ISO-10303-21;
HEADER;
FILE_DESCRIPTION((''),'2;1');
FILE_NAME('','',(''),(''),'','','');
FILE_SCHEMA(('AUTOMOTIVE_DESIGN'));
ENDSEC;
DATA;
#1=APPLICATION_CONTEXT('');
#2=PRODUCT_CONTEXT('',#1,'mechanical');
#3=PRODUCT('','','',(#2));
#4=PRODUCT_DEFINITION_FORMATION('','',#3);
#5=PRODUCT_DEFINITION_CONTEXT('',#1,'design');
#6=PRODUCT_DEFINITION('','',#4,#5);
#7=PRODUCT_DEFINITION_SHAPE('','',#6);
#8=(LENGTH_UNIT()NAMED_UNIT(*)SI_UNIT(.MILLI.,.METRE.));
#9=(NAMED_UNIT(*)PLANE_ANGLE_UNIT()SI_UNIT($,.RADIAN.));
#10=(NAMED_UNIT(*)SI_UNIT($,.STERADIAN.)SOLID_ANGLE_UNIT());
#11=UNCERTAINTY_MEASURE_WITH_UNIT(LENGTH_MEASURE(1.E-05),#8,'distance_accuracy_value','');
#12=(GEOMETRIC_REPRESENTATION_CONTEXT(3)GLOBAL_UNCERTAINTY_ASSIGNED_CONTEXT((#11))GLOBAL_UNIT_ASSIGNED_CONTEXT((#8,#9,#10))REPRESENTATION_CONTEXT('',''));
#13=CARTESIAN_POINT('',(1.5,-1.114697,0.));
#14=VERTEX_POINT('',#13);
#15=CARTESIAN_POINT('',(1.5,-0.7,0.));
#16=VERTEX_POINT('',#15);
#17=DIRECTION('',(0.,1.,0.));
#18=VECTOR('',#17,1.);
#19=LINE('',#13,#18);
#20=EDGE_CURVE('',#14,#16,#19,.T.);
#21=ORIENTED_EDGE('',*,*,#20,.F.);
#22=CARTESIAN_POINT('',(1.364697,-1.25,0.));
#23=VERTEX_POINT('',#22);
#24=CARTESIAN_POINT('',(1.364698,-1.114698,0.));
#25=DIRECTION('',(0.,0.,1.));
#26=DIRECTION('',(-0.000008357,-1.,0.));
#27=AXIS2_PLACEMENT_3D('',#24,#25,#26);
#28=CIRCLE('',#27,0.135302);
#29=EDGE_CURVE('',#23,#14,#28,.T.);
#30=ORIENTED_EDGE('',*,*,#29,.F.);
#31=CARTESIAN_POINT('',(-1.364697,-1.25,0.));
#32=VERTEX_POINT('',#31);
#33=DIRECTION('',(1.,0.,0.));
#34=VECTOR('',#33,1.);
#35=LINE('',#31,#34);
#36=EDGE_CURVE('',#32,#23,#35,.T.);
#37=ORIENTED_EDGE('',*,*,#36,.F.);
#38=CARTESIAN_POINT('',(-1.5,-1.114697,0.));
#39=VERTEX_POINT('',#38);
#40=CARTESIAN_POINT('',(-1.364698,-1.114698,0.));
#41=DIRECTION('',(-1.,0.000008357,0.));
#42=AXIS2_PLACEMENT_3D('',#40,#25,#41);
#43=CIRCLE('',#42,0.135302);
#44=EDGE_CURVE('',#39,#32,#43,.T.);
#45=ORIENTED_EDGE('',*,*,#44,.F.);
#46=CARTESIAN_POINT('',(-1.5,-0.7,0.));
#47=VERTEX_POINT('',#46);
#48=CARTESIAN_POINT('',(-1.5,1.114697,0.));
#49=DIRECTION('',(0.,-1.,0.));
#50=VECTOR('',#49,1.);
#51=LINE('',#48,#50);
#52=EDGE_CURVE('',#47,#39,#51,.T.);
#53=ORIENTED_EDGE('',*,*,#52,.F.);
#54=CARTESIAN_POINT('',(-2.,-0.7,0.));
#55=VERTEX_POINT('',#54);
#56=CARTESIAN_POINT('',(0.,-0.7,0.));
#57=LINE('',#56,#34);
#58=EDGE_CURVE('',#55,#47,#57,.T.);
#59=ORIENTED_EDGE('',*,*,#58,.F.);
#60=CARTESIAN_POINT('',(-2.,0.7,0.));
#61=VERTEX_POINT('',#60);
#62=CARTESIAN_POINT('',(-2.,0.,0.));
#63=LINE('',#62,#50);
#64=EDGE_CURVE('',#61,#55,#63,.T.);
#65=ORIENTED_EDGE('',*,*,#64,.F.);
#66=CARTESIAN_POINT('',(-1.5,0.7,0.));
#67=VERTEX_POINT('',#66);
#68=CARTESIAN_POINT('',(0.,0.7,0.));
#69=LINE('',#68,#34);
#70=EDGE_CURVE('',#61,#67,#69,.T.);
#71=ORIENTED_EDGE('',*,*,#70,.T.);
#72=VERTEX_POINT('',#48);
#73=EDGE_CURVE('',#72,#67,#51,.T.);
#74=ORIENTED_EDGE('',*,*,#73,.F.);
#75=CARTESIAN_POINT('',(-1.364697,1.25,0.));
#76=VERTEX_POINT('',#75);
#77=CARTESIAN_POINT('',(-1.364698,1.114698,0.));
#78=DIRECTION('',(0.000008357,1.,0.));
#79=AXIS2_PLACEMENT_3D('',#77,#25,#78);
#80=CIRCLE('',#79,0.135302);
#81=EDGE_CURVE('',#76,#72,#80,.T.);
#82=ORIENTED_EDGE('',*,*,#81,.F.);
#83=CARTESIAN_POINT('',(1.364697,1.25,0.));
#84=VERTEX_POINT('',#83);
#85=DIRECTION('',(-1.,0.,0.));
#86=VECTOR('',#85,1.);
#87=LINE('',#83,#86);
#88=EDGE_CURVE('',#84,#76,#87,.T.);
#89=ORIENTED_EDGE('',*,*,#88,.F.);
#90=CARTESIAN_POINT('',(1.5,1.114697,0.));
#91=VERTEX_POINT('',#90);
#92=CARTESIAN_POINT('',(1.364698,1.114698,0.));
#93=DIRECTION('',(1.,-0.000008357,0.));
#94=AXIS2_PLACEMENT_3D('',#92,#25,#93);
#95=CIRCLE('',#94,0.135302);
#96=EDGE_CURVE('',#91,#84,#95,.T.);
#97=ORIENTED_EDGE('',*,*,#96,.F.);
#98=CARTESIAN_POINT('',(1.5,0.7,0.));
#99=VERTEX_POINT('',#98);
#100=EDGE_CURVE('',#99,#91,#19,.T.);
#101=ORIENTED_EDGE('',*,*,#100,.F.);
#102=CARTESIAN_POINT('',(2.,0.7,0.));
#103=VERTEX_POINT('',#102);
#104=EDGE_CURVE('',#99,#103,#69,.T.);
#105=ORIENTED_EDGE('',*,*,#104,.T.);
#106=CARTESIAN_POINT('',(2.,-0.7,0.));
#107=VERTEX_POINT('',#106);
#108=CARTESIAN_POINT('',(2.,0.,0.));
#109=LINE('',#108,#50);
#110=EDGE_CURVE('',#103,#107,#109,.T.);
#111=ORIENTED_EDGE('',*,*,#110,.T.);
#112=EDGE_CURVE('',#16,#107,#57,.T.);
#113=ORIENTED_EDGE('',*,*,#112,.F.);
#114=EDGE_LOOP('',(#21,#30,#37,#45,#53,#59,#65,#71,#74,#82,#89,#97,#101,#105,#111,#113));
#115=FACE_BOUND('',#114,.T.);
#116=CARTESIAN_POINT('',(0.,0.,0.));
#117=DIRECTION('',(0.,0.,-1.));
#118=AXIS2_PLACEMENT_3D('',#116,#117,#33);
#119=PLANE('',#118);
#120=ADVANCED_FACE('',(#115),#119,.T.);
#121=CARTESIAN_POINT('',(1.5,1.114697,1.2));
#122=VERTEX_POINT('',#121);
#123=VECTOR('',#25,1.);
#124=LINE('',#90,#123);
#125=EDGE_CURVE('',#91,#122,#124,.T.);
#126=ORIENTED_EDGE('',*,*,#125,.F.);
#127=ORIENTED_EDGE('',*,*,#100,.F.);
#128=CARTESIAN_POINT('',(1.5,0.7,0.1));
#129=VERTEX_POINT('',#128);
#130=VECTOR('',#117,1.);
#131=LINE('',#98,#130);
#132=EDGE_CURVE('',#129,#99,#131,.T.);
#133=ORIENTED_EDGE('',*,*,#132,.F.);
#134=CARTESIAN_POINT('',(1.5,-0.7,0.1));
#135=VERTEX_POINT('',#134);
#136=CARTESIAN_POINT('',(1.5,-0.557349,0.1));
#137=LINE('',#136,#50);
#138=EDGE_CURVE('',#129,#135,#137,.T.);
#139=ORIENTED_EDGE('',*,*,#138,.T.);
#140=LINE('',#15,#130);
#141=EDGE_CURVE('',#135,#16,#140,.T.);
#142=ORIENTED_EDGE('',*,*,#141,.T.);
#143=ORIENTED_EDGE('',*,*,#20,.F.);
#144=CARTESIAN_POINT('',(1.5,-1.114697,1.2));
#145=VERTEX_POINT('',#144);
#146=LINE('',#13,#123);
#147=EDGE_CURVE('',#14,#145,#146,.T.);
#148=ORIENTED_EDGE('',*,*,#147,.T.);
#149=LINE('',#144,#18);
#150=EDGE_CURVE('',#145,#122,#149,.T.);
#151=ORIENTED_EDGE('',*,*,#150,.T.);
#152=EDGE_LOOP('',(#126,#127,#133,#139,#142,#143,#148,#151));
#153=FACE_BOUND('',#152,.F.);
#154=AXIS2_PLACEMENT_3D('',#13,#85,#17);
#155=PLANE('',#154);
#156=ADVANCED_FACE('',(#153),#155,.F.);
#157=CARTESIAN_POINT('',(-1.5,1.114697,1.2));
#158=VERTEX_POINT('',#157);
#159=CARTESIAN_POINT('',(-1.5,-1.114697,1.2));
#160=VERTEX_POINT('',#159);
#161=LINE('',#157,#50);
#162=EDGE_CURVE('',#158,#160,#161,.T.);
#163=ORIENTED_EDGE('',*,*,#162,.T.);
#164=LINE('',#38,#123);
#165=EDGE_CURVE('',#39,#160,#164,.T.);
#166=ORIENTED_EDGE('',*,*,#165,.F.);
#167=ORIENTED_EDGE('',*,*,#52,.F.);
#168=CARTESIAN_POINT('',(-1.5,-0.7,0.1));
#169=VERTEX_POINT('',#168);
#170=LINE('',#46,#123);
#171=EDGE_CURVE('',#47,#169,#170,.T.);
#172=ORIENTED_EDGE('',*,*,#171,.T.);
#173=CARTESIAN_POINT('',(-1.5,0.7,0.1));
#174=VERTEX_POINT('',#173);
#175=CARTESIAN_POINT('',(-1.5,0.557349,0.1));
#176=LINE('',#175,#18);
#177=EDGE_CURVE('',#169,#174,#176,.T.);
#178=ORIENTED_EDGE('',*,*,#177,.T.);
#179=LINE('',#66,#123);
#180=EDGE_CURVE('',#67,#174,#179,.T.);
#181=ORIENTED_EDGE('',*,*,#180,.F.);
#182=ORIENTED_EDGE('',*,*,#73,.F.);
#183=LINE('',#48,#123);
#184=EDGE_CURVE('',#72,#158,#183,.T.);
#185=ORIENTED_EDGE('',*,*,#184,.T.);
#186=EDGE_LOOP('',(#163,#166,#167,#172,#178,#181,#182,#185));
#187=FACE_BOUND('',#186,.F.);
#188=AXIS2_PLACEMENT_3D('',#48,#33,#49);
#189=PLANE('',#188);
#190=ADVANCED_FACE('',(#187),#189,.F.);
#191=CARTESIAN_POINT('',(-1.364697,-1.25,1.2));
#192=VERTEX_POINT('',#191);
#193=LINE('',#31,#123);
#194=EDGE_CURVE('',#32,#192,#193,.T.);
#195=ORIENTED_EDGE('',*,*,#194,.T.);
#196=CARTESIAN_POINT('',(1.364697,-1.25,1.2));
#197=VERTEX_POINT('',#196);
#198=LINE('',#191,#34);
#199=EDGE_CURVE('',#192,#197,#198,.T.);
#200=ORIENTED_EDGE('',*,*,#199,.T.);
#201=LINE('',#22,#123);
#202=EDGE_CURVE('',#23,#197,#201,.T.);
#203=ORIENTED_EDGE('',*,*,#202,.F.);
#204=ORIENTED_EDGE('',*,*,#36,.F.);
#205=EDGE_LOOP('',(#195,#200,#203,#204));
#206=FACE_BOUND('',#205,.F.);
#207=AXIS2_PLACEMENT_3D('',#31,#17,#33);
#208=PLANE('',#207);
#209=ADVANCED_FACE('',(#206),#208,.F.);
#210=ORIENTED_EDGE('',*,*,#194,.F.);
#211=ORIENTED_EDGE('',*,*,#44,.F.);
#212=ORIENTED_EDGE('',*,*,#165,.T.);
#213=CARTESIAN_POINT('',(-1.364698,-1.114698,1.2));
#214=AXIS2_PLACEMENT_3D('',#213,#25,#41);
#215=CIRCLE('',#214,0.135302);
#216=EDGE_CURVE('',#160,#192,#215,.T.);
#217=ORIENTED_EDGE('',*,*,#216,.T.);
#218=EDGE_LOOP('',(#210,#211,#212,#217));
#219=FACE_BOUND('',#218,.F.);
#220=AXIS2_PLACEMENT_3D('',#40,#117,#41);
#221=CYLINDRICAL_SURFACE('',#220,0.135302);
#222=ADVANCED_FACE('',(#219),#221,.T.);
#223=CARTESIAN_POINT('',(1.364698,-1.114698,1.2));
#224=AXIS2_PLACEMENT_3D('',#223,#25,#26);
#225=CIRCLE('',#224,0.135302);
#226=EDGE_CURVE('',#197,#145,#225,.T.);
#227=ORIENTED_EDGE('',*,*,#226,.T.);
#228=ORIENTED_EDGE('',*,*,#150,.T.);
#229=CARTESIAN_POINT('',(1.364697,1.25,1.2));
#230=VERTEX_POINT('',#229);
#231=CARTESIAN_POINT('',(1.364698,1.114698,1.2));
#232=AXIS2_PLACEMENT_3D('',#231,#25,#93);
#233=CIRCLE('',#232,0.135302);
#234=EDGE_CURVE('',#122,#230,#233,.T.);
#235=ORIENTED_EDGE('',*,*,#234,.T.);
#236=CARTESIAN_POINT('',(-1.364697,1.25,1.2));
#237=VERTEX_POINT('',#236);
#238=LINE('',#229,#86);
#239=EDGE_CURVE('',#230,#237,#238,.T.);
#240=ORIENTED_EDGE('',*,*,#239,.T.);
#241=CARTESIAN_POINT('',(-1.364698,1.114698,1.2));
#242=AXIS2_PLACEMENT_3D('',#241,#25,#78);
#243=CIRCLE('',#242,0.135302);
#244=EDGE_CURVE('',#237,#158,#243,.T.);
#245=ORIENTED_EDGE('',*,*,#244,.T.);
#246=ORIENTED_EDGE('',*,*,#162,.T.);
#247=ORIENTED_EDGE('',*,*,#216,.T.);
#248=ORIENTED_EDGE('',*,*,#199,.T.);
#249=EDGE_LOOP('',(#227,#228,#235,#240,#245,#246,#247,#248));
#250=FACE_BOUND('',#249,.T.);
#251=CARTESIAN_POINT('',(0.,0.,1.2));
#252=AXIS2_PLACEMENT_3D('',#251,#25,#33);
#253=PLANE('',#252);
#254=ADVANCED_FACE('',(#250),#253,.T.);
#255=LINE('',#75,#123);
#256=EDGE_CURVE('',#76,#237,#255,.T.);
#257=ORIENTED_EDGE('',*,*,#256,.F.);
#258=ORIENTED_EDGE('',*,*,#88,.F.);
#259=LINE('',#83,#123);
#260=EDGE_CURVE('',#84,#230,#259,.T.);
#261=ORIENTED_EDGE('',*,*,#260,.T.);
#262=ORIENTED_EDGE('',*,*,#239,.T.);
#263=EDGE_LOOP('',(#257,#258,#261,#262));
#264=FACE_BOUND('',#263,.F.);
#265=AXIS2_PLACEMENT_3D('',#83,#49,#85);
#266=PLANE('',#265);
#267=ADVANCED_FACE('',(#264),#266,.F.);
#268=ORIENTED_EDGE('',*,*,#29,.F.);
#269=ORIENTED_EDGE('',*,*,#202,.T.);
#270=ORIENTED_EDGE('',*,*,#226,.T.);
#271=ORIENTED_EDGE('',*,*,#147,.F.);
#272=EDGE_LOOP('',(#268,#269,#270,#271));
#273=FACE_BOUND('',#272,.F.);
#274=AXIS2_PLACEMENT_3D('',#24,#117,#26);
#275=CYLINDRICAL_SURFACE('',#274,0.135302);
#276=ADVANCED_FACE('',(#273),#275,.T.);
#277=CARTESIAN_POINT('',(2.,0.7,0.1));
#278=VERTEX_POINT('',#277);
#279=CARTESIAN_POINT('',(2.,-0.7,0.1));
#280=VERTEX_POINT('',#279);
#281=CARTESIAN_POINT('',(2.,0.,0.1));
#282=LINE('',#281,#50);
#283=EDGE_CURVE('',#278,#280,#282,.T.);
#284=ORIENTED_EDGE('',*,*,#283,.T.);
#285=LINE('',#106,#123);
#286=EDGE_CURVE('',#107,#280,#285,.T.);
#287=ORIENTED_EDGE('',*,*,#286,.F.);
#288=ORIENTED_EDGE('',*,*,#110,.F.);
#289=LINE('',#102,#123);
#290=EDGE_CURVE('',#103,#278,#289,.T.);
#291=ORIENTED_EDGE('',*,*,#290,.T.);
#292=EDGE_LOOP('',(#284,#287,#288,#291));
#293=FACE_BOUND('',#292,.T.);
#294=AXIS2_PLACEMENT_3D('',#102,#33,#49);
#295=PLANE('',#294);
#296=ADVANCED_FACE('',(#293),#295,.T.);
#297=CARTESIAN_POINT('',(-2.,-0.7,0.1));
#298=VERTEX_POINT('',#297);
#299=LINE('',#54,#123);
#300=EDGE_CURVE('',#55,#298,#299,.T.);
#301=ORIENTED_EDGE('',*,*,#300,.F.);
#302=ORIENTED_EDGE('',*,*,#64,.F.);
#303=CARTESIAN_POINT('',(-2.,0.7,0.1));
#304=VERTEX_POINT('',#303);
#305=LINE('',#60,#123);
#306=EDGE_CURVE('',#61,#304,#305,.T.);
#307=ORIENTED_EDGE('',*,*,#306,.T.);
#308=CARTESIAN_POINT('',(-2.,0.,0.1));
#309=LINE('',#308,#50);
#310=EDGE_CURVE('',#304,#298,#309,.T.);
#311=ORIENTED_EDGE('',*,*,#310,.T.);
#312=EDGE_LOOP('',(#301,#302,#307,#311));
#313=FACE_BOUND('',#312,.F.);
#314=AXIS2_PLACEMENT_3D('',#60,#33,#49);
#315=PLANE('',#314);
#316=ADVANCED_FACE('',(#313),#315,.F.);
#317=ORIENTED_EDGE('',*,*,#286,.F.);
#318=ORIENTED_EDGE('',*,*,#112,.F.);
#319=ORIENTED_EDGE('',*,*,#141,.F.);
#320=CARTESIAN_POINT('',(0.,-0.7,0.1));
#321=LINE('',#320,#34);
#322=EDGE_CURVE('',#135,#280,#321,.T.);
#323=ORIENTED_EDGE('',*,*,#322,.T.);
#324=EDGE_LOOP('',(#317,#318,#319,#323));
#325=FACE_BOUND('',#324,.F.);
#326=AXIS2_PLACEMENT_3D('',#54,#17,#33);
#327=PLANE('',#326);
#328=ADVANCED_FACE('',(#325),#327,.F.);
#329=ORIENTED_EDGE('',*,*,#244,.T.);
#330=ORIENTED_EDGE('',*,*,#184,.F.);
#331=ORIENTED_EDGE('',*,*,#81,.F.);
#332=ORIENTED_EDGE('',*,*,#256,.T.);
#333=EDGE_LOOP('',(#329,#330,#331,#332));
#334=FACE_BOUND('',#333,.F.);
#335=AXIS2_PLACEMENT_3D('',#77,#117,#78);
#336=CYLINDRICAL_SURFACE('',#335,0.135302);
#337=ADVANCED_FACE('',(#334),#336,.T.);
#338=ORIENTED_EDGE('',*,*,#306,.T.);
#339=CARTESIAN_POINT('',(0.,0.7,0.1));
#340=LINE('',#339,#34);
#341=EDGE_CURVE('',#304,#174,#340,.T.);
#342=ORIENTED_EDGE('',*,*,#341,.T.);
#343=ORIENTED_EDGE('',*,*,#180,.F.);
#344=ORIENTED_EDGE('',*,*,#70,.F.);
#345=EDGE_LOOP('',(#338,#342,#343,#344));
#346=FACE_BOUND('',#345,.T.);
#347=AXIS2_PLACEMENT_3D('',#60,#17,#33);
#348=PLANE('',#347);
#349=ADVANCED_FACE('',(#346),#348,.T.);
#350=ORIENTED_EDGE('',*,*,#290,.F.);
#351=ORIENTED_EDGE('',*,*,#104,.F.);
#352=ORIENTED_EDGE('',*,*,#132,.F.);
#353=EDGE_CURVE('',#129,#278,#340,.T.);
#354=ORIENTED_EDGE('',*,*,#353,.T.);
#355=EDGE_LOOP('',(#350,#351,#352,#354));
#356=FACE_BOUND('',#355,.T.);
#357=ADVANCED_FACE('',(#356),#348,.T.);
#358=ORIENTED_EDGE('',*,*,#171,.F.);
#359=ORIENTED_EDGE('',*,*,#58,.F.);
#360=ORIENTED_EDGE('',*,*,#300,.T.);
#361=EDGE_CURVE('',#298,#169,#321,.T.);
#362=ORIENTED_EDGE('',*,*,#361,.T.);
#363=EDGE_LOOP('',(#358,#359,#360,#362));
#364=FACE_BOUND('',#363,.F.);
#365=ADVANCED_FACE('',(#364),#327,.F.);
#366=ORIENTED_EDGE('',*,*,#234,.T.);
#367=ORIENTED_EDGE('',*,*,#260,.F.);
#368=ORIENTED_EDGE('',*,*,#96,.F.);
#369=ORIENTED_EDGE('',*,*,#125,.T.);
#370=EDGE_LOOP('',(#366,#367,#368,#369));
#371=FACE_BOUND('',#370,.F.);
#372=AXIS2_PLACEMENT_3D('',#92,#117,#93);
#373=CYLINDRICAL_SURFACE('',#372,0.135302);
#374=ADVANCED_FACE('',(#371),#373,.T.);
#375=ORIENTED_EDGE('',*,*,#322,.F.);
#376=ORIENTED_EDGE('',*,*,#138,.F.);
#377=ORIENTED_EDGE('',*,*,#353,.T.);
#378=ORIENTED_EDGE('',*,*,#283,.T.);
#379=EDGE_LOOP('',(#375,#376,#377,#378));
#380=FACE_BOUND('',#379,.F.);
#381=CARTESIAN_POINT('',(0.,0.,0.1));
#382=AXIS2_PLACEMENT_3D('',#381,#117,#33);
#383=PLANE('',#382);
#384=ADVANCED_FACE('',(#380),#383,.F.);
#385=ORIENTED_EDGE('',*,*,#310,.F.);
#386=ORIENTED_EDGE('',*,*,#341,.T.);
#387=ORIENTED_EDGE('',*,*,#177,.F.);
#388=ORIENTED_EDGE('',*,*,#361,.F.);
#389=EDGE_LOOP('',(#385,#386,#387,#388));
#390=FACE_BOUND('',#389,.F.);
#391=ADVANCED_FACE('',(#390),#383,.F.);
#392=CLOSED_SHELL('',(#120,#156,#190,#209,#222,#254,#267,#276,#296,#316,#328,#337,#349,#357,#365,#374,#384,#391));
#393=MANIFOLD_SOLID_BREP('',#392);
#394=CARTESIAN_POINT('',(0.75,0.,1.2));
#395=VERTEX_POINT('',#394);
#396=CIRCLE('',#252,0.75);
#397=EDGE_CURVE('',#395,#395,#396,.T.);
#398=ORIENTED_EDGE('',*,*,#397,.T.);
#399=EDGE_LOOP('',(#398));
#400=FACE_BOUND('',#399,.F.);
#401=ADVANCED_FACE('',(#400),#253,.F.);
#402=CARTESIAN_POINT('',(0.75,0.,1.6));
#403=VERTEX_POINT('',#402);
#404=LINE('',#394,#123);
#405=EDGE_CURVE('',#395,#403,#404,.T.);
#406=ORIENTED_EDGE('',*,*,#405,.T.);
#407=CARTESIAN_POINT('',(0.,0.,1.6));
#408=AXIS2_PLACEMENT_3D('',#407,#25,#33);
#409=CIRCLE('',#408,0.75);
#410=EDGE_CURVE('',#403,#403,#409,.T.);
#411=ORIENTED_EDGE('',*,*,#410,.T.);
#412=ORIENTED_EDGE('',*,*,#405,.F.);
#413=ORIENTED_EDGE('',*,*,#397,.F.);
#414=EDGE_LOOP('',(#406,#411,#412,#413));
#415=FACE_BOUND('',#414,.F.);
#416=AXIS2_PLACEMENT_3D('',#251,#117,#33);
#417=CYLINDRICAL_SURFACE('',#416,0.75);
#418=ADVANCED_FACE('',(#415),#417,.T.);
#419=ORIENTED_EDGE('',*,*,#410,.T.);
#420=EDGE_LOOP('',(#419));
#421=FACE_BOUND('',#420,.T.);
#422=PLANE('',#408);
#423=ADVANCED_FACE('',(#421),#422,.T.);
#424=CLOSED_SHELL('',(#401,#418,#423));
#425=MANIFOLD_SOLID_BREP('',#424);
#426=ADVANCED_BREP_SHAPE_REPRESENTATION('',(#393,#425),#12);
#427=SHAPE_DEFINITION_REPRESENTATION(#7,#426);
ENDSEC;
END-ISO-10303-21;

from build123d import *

# Parameters (mm, degrees)
F1_DEPTH = 1.2
F2_R     = 0.75
F3_DEPTH = 0.4
F4_W     = 4
F4_H     = 1.4
F5_DEPTH = 0.1


with BuildPart() as f1:
    # F0 (on Top) → F1 (new body)
    with BuildSketch(Plane.XY):
        with BuildLine():
            Line((-1.364697, -1.25), (1.364697, -1.25))
            ThreePointArc((1.364697, -1.25), (1.460371, -1.210371), (1.5, -1.114697))
            Line((1.5, -1.114697), (1.5, 1.114697))
            ThreePointArc((1.5, 1.114697), (1.460371, 1.210371), (1.364697, 1.25))
            Line((1.364697, 1.25), (-1.364697, 1.25))
            ThreePointArc((-1.364697, 1.25), (-1.460371, 1.210371), (-1.5, 1.114697))
            Line((-1.5, 1.114697), (-1.5, -1.114697))
            ThreePointArc((-1.5, -1.114697), (-1.460371, -1.210371), (-1.364697, -1.25))
        make_face()
    extrude(amount=F1_DEPTH)

    # F4 (on face) → F5 (join)
    with BuildSketch(Plane(origin=(0, 0, 0), x_dir=(1, 0, 0), z_dir=(0, 0, -1))):
        Rectangle(F4_W, F4_H)
    extrude(amount=-F5_DEPTH)


with BuildPart() as f3:
    # F2 (on face) → F3 (new body)
    with BuildSketch(Plane.XY.offset(1.2)):
        Circle(F2_R)
    extrude(amount=F3_DEPTH)


solid = Compound([f1.part, f3.part])
